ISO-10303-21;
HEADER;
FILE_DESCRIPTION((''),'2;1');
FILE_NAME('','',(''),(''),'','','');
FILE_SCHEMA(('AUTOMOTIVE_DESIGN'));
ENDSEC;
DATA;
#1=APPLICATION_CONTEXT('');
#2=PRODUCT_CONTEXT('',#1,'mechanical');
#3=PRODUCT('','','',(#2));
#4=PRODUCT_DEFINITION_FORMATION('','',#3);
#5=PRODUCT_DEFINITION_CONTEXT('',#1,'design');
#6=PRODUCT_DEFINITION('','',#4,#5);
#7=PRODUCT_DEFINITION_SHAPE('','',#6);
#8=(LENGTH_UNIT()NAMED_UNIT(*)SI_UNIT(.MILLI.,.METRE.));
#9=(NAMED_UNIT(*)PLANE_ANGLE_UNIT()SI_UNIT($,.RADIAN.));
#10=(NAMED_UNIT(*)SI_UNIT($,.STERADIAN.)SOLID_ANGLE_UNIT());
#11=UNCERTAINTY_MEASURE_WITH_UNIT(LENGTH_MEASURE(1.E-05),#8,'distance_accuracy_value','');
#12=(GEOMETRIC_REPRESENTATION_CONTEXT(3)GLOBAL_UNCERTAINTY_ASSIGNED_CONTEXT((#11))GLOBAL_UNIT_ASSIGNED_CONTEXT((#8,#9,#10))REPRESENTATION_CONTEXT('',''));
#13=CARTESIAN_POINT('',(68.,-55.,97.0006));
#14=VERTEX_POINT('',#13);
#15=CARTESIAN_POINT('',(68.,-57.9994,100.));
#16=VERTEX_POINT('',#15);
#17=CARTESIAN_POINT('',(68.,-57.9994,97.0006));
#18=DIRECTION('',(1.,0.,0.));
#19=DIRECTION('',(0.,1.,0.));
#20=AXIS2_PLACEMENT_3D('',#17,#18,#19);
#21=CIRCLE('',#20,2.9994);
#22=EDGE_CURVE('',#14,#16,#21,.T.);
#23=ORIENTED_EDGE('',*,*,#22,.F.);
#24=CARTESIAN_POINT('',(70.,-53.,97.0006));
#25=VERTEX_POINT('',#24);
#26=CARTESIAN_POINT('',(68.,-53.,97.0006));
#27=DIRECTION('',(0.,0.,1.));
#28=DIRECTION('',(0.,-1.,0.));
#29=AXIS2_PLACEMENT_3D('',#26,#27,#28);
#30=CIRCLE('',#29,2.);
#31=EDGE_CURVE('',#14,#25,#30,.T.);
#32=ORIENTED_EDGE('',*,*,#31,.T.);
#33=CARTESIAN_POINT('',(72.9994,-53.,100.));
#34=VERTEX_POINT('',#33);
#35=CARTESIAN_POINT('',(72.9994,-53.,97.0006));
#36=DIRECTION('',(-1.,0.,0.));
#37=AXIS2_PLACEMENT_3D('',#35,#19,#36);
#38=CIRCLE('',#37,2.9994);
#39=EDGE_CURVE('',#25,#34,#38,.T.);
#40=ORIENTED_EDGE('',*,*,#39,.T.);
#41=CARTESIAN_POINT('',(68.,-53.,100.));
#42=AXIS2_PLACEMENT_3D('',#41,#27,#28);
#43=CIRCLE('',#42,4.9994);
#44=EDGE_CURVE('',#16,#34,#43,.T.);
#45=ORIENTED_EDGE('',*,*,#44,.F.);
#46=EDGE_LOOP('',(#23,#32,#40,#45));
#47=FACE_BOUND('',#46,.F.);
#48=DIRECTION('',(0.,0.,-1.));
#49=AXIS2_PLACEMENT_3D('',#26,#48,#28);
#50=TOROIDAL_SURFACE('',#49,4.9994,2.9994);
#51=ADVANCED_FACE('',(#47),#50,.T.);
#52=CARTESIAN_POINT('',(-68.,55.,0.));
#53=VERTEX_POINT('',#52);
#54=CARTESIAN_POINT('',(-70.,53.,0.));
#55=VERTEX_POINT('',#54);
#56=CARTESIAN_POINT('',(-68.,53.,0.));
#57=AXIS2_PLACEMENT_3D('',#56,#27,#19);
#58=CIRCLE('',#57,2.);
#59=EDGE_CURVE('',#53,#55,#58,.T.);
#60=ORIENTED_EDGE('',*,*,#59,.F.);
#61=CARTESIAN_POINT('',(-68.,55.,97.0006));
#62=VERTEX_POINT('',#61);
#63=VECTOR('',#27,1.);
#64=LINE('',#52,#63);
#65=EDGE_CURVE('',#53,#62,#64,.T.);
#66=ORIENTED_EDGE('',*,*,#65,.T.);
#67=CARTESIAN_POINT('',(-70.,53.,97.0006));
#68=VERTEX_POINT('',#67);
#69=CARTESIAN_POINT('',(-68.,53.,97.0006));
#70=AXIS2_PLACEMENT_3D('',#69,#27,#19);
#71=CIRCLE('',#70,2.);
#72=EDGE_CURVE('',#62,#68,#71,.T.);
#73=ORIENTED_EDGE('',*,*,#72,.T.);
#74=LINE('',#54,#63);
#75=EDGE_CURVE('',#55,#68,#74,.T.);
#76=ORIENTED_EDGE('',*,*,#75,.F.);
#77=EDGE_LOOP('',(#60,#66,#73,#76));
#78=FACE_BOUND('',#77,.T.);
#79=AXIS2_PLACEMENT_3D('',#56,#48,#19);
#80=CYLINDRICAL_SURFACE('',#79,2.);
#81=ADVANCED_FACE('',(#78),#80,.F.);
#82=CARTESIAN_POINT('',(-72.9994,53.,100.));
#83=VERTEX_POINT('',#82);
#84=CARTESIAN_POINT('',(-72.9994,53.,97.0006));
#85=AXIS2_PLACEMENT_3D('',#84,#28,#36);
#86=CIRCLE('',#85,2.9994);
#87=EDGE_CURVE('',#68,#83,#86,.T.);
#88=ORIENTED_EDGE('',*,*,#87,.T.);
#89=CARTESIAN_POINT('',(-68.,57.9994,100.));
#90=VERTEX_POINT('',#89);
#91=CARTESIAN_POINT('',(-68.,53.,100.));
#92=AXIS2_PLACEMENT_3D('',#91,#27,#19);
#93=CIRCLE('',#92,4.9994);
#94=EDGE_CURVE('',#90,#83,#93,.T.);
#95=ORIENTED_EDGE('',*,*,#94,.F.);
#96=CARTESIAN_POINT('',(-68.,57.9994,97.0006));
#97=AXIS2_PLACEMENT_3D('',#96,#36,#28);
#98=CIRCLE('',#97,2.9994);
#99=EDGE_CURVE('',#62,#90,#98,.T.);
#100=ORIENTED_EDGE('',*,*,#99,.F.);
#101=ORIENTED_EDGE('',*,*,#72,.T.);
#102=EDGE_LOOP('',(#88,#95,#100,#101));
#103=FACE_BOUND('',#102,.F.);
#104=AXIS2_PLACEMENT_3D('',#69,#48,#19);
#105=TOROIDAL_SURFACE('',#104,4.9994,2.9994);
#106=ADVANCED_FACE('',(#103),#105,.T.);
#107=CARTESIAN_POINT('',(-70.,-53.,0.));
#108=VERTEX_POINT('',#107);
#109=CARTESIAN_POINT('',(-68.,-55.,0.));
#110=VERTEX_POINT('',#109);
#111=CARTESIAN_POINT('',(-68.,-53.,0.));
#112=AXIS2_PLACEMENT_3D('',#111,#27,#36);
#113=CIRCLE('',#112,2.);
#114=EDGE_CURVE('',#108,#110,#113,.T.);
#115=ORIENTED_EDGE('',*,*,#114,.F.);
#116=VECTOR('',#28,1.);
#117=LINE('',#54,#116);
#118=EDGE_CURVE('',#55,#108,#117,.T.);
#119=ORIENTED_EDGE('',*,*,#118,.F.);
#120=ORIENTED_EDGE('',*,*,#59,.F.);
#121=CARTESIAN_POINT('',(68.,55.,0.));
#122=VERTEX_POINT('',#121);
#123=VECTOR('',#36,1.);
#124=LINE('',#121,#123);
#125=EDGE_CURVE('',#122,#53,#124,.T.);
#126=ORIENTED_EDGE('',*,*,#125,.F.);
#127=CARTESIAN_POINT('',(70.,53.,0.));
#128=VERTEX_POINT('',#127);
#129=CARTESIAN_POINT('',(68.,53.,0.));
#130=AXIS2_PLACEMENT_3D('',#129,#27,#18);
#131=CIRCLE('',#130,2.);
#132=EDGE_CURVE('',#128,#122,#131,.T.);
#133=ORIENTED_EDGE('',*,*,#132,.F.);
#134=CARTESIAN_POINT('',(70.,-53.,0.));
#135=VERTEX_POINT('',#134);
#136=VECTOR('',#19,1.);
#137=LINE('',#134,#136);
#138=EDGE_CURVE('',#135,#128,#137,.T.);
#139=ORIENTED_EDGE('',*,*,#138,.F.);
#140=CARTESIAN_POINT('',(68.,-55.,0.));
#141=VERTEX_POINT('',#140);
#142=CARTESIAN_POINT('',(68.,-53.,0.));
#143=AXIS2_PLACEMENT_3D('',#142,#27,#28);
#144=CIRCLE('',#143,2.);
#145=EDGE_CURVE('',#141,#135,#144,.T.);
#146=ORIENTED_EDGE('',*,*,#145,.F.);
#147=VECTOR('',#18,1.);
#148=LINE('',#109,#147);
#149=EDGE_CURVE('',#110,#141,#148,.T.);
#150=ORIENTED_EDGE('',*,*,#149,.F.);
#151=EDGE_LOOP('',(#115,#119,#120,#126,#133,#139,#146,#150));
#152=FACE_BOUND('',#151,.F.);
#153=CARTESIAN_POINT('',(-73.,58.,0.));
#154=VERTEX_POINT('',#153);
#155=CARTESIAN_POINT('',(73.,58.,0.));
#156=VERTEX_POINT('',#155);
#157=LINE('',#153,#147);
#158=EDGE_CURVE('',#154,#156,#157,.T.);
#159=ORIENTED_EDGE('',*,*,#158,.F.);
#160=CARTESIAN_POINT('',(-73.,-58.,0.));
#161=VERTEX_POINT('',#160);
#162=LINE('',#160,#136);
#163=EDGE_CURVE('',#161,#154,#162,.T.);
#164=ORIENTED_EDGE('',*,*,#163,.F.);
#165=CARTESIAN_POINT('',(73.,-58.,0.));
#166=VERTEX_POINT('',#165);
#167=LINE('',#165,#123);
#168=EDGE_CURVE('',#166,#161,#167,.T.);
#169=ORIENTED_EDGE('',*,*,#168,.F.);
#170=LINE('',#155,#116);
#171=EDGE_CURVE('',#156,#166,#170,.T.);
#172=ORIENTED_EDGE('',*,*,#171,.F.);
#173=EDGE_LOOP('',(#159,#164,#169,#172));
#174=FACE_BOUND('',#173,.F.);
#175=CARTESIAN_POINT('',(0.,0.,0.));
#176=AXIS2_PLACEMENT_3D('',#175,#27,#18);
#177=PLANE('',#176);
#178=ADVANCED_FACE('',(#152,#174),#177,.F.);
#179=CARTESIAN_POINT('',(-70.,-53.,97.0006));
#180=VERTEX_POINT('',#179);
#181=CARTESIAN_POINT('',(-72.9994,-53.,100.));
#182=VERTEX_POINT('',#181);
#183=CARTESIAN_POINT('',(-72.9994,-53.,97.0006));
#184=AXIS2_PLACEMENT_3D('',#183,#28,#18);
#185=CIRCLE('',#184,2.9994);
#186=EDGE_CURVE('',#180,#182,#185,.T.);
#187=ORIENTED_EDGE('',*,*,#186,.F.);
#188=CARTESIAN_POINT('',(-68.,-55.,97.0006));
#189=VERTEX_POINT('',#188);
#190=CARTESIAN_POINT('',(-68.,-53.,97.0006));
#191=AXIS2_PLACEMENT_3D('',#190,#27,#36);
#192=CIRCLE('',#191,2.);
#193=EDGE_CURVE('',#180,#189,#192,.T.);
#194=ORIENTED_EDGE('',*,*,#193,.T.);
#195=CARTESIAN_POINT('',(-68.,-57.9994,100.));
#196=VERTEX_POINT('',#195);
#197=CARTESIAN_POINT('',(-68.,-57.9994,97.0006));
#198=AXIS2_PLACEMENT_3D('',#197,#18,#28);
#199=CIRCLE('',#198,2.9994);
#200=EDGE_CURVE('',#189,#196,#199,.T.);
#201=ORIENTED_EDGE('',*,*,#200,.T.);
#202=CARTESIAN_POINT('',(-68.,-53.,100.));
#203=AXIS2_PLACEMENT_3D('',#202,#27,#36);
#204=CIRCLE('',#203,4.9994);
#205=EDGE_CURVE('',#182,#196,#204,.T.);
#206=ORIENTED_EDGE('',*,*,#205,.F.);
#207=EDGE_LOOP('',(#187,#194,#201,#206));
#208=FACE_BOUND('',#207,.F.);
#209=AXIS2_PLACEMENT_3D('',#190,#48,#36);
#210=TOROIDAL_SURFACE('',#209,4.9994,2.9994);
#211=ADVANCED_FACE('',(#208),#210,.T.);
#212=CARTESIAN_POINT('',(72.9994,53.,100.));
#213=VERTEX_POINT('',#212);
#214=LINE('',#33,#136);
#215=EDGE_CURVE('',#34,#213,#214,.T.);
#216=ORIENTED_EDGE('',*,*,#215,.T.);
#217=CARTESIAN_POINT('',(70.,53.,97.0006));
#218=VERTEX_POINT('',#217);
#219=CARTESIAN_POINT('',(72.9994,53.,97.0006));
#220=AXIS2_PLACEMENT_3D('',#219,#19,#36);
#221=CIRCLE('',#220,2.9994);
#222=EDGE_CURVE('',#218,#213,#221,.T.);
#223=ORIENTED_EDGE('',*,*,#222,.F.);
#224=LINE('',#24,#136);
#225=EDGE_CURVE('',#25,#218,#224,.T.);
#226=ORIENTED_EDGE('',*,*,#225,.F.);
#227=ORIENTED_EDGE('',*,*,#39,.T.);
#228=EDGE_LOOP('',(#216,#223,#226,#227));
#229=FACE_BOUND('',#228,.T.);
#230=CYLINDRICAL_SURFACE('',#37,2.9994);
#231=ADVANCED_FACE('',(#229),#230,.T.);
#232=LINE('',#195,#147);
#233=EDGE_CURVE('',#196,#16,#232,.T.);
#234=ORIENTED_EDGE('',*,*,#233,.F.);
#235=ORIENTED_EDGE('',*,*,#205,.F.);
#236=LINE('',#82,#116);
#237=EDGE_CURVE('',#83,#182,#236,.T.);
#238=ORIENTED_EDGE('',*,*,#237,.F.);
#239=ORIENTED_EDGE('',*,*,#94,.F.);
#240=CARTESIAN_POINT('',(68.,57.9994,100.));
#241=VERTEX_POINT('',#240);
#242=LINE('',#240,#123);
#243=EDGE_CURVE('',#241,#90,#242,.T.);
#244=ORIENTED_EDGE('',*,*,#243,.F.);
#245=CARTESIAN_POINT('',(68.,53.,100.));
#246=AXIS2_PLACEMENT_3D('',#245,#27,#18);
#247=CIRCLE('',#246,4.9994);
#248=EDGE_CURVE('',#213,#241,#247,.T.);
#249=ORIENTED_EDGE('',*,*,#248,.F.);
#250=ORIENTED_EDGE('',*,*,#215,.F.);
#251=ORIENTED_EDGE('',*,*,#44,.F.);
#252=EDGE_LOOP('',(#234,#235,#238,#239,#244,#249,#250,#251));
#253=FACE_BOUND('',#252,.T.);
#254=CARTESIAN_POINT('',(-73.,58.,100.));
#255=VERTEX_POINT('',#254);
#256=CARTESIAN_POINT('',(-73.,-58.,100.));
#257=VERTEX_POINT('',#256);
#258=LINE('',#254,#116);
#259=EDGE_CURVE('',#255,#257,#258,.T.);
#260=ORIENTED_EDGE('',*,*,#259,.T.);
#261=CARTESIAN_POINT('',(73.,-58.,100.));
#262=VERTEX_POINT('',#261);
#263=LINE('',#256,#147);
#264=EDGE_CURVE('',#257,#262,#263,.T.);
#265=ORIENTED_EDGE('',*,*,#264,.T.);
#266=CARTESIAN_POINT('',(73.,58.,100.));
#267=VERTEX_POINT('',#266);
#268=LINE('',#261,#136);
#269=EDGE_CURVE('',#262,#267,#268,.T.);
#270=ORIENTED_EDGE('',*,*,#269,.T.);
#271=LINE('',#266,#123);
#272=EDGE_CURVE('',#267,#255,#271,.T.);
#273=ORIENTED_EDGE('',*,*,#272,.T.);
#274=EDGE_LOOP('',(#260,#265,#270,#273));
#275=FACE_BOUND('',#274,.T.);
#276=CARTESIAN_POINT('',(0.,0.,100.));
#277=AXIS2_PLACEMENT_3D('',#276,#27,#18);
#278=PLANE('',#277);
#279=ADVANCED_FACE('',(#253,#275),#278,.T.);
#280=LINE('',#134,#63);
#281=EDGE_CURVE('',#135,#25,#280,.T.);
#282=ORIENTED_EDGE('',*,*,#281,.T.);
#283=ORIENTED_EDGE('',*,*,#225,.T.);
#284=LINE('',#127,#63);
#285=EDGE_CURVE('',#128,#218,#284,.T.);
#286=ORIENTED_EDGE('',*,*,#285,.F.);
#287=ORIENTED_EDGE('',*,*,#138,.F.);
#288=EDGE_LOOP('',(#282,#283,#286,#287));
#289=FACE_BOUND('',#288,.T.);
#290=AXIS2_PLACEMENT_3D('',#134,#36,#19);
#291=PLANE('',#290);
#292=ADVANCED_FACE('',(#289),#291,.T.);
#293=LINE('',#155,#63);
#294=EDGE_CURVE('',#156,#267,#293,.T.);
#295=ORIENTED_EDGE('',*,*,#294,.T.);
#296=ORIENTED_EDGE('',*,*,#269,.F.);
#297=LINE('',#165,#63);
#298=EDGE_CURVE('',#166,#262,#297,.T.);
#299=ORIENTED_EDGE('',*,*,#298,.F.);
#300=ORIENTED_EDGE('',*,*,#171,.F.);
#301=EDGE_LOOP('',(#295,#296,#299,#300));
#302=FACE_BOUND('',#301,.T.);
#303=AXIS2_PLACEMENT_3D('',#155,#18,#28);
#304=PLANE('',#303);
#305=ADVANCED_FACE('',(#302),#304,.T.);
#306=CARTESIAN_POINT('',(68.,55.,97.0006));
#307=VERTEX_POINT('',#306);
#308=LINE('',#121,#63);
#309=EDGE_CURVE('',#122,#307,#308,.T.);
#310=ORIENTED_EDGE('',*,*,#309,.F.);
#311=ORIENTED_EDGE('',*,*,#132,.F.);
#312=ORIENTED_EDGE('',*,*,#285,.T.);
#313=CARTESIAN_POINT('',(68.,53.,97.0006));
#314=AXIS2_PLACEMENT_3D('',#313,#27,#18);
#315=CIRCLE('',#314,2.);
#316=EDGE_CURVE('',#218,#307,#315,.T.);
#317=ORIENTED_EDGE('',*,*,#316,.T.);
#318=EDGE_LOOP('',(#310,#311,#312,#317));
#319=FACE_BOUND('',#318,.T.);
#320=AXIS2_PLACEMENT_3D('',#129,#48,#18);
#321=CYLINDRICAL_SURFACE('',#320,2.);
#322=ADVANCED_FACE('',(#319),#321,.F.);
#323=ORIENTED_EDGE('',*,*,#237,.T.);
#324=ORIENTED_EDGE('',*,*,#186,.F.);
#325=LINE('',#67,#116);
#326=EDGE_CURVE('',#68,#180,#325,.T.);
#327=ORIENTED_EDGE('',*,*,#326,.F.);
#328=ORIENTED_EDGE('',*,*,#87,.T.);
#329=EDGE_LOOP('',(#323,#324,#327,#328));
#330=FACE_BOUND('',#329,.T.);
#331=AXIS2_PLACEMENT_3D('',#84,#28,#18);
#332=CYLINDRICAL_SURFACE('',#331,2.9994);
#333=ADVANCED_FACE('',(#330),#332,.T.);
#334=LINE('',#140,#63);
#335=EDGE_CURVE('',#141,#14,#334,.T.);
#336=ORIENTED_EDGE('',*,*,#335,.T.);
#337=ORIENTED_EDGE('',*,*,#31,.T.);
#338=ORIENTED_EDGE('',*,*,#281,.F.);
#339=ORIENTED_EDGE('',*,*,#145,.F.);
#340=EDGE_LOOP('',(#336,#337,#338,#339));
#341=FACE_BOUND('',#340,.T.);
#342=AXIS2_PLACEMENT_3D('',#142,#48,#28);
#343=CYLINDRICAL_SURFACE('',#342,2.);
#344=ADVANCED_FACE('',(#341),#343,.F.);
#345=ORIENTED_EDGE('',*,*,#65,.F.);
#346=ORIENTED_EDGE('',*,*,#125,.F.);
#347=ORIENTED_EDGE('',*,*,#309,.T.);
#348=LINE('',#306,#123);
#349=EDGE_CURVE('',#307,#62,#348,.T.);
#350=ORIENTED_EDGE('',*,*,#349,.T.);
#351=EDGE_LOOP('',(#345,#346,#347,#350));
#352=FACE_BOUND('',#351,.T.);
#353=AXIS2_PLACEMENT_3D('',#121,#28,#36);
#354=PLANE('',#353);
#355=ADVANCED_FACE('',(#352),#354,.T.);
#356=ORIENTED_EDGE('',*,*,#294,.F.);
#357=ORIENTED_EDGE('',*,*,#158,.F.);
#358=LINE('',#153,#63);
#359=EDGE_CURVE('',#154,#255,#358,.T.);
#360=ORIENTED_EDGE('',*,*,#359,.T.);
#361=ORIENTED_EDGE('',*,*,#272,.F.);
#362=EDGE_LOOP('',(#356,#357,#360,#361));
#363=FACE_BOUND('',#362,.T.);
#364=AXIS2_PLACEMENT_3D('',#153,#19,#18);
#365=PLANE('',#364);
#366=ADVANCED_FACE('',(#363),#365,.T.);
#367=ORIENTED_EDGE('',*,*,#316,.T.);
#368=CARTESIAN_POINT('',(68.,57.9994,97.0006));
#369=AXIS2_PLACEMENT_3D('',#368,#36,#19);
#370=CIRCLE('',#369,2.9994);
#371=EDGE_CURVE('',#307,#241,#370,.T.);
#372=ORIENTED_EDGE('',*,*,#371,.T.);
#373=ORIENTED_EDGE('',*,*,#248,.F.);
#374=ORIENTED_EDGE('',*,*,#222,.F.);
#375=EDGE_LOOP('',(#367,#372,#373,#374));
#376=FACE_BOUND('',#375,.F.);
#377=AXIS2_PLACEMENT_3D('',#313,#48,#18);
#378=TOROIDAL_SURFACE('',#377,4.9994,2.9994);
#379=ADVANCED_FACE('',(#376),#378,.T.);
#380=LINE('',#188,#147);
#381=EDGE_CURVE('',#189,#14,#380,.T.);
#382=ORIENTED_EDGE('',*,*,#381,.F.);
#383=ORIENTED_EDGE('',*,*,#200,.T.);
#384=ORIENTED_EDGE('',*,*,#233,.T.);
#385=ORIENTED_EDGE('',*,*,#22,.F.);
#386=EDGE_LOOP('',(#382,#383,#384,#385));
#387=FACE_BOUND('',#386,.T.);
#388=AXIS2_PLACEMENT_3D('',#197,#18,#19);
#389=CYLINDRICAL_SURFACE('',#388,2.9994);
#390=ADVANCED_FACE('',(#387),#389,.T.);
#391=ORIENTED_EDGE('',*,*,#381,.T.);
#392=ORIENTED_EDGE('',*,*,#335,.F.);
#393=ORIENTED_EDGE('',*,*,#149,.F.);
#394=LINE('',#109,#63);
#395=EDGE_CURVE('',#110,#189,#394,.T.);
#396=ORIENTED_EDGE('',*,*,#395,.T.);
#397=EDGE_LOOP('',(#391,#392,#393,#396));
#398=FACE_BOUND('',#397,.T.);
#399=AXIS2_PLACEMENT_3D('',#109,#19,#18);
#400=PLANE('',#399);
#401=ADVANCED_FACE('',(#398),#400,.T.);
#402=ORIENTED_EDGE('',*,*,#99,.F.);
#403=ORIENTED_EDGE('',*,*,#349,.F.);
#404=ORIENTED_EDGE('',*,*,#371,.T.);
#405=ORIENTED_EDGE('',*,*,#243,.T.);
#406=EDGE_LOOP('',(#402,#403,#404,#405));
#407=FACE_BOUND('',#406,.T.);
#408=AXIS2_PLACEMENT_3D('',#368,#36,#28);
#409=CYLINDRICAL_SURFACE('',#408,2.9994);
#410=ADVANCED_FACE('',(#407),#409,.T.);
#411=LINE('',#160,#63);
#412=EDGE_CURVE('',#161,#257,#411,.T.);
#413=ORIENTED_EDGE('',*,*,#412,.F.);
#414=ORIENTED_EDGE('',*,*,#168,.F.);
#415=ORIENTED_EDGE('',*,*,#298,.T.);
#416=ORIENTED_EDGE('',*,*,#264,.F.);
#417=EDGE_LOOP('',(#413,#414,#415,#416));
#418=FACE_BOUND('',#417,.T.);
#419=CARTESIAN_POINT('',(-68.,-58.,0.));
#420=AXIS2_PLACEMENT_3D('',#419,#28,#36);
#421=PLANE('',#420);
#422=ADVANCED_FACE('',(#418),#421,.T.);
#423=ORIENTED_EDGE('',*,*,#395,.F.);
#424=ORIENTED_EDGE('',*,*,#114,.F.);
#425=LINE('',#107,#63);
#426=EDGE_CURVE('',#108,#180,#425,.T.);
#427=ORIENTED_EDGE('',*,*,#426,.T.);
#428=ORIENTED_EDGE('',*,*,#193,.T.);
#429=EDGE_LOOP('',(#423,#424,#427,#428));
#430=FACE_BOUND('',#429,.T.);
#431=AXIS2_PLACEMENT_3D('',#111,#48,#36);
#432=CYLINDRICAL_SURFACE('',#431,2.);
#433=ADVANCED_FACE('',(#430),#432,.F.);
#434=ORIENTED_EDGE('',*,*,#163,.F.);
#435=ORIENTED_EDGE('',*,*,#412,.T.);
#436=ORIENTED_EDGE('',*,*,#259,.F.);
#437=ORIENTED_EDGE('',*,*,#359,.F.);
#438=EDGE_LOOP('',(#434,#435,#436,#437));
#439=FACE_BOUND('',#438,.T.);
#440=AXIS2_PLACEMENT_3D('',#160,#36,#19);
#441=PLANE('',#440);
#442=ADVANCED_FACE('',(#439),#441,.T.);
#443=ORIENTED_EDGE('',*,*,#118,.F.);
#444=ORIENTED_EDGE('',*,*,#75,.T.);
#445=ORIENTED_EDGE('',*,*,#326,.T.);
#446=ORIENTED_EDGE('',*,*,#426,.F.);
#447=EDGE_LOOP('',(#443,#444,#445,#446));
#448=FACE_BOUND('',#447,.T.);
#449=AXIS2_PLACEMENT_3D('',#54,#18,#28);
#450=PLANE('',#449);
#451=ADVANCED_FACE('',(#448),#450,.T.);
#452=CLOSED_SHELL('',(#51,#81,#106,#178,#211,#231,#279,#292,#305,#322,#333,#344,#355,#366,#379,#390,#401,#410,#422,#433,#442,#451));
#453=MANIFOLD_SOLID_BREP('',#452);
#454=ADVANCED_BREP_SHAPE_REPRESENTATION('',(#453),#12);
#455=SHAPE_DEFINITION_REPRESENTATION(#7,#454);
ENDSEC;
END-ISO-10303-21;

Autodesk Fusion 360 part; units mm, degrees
sketch "草图2" plane through (0, 0, 0) normal (0, 0, 1) x (1, 0, 0)
  line L0 (68, 55) -> (-68, 55)
  line L1 (-70, 53) -> (-70, -53)
  line L2 (-68, -55) -> (68, -55)
  line L3 (70, -53) -> (70, 53)
  line L4 (70, 55) -> (-70, -55) construction
  line L5 (-70, 55) -> (70, -55) construction
  arc A0 (70, 53) -> (68, 55) centre (68, 53) ccw
  arc A1 (68, -55) -> (70, -53) centre (68, -53) ccw
  arc A2 (-70, -53) -> (-68, -55) centre (-68, -53) ccw
  arc A3 (-68, 55) -> (-70, 53) centre (-68, 53) ccw
  line L6 (-68, -58) -> (68, -58)
  line L7 (73, -53) -> (73, 53)
  line L8 (68, 58) -> (-68, 58)
  line L9 (-73, 53) -> (-73, -53)
  line L10 (-73, 58) -> (73, 58)
  line L11 (73, 58) -> (73, -58)
  line L12 (73, -58) -> (-73, -58)
  line L13 (-73, -58) -> (-73, 58)
  dimension "d11" = 140
  dimension "d12" = 110
  dimension "d14" = 2
  dimension "d15" = 116
  dimension "d16" = 146
extrude "拉伸1" add sketch "草图2" along normal blind 100
fillet "圆角1" radius 3 8 edges at (70, 0, 100) (69.4142, -54.4142, 100) (0, -55, 100) (-69.4142, -54.4142, 100) (-70, 0, 100) (-69.4142, 54.4142, 100) (0, 55, 100) (69.4142, 54.4142, 100)
